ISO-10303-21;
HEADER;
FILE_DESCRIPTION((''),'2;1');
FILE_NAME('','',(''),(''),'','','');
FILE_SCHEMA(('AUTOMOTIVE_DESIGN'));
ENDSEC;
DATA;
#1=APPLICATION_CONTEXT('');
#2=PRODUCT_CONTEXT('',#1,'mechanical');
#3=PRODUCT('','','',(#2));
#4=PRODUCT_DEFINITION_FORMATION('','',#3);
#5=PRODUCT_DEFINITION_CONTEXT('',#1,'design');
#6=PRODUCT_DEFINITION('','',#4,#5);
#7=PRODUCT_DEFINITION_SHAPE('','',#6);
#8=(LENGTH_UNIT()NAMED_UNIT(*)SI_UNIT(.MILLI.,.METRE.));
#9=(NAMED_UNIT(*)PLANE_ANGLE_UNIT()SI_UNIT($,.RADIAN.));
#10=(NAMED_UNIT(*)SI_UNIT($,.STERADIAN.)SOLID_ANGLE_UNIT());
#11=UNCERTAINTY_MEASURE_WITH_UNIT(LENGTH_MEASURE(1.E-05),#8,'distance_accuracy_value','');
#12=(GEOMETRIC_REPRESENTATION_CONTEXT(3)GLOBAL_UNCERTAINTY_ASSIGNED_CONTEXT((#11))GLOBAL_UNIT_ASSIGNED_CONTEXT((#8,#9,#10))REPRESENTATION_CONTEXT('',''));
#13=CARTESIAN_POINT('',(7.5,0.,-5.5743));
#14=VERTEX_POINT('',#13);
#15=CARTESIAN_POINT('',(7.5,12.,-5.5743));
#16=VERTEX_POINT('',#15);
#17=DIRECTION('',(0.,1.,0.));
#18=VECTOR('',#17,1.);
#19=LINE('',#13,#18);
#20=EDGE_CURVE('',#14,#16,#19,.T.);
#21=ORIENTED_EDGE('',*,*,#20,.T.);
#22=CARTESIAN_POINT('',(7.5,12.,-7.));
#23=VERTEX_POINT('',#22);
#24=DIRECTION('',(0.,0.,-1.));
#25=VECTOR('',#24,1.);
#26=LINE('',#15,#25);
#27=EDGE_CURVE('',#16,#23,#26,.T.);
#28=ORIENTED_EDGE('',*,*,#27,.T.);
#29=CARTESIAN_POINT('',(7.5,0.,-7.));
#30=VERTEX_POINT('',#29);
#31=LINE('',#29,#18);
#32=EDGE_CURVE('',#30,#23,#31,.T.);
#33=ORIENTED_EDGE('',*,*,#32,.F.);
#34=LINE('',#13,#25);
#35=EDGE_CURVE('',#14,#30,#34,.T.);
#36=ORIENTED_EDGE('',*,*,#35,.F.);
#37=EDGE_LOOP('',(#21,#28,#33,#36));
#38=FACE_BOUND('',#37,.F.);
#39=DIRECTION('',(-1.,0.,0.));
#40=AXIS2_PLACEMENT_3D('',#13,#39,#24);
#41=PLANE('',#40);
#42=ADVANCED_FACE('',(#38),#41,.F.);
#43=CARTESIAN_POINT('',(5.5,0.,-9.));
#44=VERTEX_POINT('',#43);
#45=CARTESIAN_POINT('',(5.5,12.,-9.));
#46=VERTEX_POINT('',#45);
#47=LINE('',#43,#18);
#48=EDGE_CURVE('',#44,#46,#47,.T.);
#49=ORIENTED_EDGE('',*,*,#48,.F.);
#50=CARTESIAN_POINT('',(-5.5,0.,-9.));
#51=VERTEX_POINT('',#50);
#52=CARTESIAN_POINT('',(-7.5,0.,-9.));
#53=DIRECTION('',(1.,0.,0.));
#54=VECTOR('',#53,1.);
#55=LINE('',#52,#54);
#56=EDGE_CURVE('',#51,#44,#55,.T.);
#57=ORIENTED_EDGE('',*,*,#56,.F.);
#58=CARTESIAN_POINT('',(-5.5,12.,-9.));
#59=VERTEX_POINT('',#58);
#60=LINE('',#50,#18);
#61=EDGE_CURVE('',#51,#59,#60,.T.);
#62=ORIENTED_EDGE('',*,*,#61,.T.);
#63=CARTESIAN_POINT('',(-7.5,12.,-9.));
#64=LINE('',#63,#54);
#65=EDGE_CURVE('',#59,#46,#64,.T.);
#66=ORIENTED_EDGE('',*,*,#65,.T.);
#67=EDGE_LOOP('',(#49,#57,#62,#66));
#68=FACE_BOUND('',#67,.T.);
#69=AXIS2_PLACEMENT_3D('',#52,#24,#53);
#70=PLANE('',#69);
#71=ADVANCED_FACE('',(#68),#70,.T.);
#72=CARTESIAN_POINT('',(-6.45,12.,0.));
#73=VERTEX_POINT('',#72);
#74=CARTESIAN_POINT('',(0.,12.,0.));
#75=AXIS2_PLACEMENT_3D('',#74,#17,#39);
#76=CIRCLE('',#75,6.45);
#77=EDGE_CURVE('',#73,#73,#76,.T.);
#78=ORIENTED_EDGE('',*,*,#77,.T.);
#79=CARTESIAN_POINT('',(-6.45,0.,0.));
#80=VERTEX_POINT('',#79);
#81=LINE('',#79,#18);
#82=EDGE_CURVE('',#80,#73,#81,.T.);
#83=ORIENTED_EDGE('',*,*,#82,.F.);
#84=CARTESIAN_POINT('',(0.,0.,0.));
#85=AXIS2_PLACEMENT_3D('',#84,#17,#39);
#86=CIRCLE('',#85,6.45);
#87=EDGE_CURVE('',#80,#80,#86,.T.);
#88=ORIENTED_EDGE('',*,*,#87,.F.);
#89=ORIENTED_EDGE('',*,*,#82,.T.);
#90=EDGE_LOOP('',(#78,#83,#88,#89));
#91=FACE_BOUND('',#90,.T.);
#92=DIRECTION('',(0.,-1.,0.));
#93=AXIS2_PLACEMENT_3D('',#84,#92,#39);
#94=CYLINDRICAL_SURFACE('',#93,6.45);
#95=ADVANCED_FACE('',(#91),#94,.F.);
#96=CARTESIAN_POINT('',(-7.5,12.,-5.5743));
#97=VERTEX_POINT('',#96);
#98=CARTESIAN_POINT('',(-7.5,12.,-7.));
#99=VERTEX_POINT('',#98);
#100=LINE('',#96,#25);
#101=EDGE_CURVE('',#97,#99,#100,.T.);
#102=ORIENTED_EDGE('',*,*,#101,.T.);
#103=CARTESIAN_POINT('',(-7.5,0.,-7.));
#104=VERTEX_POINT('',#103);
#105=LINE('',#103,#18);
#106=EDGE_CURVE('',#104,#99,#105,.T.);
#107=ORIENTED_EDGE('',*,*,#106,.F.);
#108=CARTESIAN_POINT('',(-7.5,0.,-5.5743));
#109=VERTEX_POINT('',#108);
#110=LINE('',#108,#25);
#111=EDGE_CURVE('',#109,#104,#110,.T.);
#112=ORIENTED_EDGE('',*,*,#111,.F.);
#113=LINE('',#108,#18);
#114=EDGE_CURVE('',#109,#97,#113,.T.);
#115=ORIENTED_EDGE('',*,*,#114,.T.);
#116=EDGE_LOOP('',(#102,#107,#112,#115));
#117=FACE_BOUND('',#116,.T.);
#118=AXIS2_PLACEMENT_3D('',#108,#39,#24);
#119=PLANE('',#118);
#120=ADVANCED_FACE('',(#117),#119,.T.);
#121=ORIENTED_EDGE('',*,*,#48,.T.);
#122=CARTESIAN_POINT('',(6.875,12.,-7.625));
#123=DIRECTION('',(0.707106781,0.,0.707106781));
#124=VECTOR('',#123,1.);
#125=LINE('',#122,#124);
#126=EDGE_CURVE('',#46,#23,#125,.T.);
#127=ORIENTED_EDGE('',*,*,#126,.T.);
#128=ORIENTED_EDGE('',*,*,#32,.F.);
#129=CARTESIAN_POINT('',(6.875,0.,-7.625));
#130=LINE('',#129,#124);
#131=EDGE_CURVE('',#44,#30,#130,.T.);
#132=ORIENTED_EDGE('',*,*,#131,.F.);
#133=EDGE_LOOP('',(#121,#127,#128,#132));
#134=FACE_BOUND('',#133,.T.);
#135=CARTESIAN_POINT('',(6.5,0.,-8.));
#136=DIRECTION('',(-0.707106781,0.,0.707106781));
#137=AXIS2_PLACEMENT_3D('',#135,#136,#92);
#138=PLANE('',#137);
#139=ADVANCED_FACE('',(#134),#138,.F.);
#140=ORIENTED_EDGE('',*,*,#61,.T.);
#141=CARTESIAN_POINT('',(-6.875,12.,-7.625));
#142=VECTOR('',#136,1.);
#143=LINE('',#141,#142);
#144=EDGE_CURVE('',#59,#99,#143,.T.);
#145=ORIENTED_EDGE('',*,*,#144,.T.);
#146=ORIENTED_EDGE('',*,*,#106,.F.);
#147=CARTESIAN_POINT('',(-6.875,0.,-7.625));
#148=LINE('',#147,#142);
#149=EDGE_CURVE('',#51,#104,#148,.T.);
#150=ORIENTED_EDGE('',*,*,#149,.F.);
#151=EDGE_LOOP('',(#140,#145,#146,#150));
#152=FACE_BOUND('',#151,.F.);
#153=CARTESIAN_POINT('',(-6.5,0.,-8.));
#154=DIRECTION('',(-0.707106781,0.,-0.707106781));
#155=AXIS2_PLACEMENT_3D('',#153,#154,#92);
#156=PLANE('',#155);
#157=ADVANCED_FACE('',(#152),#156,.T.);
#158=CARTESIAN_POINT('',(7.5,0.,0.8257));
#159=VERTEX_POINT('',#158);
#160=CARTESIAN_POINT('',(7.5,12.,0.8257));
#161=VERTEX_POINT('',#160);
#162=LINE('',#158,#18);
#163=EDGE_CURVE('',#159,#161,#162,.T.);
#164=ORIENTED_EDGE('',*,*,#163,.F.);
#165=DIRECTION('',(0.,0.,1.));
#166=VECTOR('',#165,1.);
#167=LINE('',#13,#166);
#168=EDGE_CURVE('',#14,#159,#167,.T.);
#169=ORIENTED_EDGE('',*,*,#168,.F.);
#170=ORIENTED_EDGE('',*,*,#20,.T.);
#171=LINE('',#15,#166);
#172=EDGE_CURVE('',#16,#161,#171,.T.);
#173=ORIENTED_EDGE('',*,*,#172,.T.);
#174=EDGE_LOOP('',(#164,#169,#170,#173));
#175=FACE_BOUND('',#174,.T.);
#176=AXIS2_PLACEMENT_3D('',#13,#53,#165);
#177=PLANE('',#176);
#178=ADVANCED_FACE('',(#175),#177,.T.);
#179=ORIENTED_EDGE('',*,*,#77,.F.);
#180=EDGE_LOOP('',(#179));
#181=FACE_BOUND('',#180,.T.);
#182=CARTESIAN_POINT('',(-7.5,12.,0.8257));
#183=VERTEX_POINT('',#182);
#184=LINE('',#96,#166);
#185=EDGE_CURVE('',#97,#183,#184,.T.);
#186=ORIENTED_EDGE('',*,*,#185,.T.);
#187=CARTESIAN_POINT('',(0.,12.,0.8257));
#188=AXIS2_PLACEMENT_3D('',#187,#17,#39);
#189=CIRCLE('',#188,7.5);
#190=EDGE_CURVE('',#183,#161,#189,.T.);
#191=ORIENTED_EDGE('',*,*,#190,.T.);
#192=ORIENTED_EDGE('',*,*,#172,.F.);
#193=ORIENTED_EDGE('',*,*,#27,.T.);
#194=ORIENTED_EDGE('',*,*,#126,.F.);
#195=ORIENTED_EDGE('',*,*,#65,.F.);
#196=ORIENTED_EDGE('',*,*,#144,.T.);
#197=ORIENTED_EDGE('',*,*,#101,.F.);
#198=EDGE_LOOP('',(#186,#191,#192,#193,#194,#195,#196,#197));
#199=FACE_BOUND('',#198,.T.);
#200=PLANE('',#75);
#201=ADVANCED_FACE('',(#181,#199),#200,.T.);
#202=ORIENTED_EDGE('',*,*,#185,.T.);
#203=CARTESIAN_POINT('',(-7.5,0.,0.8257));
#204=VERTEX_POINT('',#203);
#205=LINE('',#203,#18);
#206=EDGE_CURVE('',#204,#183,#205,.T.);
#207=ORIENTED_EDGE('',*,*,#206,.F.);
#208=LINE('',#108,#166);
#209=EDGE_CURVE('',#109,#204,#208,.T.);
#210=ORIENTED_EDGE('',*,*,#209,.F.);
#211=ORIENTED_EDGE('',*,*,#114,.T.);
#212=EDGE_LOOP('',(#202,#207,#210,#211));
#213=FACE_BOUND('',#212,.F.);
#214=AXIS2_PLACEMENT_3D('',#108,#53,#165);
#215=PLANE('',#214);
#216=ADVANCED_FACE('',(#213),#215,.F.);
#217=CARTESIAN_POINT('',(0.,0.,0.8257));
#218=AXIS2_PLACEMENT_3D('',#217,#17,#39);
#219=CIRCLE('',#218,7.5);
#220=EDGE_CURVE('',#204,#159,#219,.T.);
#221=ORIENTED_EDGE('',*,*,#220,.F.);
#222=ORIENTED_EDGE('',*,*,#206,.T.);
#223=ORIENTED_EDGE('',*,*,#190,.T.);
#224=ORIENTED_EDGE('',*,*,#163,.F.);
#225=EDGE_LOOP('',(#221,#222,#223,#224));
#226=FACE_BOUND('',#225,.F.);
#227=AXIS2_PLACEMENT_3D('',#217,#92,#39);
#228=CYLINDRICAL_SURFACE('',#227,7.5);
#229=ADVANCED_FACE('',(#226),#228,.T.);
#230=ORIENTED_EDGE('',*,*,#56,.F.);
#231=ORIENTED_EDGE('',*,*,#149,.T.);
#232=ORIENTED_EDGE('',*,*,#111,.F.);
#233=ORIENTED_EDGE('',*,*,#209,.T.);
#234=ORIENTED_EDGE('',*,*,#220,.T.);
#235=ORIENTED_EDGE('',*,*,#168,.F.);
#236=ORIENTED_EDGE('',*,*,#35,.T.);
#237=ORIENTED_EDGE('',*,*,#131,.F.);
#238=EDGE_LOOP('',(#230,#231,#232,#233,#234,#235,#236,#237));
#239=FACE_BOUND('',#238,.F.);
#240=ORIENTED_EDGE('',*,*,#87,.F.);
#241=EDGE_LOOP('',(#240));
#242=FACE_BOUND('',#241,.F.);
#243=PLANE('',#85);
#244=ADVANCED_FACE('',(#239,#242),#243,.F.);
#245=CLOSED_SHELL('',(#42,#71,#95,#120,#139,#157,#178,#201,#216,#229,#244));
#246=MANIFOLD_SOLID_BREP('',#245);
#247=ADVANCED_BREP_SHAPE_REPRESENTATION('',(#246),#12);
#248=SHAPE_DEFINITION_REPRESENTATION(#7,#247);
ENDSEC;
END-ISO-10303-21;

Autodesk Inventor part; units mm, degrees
ref_plane "YZ Plane" through (0, 0, 0) normal (1, 0, 0) x (0, 1, 0)
ref_plane "XZ Plane" through (0, 0, 0) normal (0, 1, 0) x (-1, 0, 0)
ref_plane "XY Plane" through (0, 0, 0) normal (0, 0, 1) x (1, 0, 0)
sketch "Sketch1" plane through (0, 0, 0) normal (0, 1, 0) x (-1, 0, 0)
  circle A0 centre (0, 0) radius 6.45
  arc A1 (7.5, 0.8257) -> (-7.5, 0.8257) centre (0, 0.8257) ccw
  line L0 (-7.5, -5.5743) -> (-7.5, 0.8257)
  line L1 (7.5, -5.5743) -> (7.5, 0.8257)
  line L2 (7.5, -5.5743) -> (7.5, -9)
  line L3 (-7.5, -5.5743) -> (-7.5, -9)
  line L4 (7.5, -9) -> (-7.5, -9)
  dimension "d0" = 12.9
  dimension "d2" = 7.5
  dimension "d7" = 9
extrude "Extrusion1" add sketch "Sketch1" along normal blind 12
chamfer "Chamfer1" distance 2 angle 45 1 edges at (7.5, 6, -9)
chamfer "Chamfer2" distance 2 angle 45 1 edges at (-7.5, 6, -9)
properties part number "x bushing holder full"
